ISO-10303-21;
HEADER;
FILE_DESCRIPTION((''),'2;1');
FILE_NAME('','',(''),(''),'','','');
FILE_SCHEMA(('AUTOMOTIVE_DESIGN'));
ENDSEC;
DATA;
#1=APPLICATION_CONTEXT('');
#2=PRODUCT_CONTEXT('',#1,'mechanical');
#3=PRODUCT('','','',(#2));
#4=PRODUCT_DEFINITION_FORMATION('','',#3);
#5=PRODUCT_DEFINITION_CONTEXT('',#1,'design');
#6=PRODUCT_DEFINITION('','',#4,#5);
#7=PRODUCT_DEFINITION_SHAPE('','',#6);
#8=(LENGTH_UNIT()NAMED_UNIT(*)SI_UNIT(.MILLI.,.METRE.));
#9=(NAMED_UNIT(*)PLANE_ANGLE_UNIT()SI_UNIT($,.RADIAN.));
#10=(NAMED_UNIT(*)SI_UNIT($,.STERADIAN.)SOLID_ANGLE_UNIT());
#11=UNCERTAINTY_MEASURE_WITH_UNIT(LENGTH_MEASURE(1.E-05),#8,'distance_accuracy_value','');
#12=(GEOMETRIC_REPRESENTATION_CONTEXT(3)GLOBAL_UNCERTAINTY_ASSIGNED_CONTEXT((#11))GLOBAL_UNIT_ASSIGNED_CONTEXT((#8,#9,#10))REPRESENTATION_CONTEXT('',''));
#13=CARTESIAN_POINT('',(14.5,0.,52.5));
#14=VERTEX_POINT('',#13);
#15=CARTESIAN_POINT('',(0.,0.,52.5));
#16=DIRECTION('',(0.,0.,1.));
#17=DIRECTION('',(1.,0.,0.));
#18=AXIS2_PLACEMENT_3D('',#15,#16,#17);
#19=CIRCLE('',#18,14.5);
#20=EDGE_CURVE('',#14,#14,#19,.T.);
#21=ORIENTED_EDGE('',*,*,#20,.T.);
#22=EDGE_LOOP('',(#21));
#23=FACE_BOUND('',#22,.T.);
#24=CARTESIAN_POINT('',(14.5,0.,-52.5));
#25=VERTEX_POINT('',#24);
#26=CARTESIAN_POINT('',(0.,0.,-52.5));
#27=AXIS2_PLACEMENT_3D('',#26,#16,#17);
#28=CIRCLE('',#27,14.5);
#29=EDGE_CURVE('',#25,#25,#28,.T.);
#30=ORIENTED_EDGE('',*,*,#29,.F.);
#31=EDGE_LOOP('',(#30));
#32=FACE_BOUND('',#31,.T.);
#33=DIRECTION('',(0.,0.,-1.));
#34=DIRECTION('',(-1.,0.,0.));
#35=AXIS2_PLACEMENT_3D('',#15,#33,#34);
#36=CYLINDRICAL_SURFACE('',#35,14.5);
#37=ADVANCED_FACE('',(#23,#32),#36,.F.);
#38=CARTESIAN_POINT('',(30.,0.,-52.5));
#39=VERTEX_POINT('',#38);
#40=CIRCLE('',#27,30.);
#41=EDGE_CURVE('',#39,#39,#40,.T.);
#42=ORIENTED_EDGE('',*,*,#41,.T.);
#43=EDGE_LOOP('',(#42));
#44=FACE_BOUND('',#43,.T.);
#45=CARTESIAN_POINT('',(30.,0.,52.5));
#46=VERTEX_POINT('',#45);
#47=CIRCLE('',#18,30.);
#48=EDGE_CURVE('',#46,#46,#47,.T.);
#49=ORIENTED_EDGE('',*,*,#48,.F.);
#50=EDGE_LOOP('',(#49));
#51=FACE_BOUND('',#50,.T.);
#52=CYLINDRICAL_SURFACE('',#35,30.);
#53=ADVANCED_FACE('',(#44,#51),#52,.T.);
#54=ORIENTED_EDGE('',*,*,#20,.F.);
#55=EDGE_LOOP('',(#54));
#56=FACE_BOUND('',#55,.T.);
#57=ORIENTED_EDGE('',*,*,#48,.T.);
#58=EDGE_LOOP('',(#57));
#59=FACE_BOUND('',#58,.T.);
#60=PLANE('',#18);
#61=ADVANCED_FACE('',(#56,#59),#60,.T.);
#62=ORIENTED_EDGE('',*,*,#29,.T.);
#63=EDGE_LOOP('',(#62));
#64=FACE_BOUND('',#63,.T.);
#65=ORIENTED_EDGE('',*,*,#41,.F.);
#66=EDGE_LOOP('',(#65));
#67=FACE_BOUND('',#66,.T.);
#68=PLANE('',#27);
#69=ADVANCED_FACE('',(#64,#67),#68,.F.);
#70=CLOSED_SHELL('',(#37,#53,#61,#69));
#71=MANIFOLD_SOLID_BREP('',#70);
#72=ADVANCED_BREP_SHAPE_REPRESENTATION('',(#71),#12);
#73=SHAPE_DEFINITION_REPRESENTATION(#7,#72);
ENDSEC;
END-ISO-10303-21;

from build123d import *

# Parameters (mm, degrees)
SKETCH_1_R      = 30
SKETCH_1_R_2    = 14.5
EXTRUDE_1_DEPTH = 52.5


with BuildPart() as part:
    # 草图1 → 凸台-拉伸1 (new, symmetric)
    with BuildSketch(Plane.XY):
        Circle(SKETCH_1_R)
        Circle(SKETCH_1_R_2, mode=Mode.SUBTRACT)
    extrude(amount=EXTRUDE_1_DEPTH, both=True)


solid = part.part
